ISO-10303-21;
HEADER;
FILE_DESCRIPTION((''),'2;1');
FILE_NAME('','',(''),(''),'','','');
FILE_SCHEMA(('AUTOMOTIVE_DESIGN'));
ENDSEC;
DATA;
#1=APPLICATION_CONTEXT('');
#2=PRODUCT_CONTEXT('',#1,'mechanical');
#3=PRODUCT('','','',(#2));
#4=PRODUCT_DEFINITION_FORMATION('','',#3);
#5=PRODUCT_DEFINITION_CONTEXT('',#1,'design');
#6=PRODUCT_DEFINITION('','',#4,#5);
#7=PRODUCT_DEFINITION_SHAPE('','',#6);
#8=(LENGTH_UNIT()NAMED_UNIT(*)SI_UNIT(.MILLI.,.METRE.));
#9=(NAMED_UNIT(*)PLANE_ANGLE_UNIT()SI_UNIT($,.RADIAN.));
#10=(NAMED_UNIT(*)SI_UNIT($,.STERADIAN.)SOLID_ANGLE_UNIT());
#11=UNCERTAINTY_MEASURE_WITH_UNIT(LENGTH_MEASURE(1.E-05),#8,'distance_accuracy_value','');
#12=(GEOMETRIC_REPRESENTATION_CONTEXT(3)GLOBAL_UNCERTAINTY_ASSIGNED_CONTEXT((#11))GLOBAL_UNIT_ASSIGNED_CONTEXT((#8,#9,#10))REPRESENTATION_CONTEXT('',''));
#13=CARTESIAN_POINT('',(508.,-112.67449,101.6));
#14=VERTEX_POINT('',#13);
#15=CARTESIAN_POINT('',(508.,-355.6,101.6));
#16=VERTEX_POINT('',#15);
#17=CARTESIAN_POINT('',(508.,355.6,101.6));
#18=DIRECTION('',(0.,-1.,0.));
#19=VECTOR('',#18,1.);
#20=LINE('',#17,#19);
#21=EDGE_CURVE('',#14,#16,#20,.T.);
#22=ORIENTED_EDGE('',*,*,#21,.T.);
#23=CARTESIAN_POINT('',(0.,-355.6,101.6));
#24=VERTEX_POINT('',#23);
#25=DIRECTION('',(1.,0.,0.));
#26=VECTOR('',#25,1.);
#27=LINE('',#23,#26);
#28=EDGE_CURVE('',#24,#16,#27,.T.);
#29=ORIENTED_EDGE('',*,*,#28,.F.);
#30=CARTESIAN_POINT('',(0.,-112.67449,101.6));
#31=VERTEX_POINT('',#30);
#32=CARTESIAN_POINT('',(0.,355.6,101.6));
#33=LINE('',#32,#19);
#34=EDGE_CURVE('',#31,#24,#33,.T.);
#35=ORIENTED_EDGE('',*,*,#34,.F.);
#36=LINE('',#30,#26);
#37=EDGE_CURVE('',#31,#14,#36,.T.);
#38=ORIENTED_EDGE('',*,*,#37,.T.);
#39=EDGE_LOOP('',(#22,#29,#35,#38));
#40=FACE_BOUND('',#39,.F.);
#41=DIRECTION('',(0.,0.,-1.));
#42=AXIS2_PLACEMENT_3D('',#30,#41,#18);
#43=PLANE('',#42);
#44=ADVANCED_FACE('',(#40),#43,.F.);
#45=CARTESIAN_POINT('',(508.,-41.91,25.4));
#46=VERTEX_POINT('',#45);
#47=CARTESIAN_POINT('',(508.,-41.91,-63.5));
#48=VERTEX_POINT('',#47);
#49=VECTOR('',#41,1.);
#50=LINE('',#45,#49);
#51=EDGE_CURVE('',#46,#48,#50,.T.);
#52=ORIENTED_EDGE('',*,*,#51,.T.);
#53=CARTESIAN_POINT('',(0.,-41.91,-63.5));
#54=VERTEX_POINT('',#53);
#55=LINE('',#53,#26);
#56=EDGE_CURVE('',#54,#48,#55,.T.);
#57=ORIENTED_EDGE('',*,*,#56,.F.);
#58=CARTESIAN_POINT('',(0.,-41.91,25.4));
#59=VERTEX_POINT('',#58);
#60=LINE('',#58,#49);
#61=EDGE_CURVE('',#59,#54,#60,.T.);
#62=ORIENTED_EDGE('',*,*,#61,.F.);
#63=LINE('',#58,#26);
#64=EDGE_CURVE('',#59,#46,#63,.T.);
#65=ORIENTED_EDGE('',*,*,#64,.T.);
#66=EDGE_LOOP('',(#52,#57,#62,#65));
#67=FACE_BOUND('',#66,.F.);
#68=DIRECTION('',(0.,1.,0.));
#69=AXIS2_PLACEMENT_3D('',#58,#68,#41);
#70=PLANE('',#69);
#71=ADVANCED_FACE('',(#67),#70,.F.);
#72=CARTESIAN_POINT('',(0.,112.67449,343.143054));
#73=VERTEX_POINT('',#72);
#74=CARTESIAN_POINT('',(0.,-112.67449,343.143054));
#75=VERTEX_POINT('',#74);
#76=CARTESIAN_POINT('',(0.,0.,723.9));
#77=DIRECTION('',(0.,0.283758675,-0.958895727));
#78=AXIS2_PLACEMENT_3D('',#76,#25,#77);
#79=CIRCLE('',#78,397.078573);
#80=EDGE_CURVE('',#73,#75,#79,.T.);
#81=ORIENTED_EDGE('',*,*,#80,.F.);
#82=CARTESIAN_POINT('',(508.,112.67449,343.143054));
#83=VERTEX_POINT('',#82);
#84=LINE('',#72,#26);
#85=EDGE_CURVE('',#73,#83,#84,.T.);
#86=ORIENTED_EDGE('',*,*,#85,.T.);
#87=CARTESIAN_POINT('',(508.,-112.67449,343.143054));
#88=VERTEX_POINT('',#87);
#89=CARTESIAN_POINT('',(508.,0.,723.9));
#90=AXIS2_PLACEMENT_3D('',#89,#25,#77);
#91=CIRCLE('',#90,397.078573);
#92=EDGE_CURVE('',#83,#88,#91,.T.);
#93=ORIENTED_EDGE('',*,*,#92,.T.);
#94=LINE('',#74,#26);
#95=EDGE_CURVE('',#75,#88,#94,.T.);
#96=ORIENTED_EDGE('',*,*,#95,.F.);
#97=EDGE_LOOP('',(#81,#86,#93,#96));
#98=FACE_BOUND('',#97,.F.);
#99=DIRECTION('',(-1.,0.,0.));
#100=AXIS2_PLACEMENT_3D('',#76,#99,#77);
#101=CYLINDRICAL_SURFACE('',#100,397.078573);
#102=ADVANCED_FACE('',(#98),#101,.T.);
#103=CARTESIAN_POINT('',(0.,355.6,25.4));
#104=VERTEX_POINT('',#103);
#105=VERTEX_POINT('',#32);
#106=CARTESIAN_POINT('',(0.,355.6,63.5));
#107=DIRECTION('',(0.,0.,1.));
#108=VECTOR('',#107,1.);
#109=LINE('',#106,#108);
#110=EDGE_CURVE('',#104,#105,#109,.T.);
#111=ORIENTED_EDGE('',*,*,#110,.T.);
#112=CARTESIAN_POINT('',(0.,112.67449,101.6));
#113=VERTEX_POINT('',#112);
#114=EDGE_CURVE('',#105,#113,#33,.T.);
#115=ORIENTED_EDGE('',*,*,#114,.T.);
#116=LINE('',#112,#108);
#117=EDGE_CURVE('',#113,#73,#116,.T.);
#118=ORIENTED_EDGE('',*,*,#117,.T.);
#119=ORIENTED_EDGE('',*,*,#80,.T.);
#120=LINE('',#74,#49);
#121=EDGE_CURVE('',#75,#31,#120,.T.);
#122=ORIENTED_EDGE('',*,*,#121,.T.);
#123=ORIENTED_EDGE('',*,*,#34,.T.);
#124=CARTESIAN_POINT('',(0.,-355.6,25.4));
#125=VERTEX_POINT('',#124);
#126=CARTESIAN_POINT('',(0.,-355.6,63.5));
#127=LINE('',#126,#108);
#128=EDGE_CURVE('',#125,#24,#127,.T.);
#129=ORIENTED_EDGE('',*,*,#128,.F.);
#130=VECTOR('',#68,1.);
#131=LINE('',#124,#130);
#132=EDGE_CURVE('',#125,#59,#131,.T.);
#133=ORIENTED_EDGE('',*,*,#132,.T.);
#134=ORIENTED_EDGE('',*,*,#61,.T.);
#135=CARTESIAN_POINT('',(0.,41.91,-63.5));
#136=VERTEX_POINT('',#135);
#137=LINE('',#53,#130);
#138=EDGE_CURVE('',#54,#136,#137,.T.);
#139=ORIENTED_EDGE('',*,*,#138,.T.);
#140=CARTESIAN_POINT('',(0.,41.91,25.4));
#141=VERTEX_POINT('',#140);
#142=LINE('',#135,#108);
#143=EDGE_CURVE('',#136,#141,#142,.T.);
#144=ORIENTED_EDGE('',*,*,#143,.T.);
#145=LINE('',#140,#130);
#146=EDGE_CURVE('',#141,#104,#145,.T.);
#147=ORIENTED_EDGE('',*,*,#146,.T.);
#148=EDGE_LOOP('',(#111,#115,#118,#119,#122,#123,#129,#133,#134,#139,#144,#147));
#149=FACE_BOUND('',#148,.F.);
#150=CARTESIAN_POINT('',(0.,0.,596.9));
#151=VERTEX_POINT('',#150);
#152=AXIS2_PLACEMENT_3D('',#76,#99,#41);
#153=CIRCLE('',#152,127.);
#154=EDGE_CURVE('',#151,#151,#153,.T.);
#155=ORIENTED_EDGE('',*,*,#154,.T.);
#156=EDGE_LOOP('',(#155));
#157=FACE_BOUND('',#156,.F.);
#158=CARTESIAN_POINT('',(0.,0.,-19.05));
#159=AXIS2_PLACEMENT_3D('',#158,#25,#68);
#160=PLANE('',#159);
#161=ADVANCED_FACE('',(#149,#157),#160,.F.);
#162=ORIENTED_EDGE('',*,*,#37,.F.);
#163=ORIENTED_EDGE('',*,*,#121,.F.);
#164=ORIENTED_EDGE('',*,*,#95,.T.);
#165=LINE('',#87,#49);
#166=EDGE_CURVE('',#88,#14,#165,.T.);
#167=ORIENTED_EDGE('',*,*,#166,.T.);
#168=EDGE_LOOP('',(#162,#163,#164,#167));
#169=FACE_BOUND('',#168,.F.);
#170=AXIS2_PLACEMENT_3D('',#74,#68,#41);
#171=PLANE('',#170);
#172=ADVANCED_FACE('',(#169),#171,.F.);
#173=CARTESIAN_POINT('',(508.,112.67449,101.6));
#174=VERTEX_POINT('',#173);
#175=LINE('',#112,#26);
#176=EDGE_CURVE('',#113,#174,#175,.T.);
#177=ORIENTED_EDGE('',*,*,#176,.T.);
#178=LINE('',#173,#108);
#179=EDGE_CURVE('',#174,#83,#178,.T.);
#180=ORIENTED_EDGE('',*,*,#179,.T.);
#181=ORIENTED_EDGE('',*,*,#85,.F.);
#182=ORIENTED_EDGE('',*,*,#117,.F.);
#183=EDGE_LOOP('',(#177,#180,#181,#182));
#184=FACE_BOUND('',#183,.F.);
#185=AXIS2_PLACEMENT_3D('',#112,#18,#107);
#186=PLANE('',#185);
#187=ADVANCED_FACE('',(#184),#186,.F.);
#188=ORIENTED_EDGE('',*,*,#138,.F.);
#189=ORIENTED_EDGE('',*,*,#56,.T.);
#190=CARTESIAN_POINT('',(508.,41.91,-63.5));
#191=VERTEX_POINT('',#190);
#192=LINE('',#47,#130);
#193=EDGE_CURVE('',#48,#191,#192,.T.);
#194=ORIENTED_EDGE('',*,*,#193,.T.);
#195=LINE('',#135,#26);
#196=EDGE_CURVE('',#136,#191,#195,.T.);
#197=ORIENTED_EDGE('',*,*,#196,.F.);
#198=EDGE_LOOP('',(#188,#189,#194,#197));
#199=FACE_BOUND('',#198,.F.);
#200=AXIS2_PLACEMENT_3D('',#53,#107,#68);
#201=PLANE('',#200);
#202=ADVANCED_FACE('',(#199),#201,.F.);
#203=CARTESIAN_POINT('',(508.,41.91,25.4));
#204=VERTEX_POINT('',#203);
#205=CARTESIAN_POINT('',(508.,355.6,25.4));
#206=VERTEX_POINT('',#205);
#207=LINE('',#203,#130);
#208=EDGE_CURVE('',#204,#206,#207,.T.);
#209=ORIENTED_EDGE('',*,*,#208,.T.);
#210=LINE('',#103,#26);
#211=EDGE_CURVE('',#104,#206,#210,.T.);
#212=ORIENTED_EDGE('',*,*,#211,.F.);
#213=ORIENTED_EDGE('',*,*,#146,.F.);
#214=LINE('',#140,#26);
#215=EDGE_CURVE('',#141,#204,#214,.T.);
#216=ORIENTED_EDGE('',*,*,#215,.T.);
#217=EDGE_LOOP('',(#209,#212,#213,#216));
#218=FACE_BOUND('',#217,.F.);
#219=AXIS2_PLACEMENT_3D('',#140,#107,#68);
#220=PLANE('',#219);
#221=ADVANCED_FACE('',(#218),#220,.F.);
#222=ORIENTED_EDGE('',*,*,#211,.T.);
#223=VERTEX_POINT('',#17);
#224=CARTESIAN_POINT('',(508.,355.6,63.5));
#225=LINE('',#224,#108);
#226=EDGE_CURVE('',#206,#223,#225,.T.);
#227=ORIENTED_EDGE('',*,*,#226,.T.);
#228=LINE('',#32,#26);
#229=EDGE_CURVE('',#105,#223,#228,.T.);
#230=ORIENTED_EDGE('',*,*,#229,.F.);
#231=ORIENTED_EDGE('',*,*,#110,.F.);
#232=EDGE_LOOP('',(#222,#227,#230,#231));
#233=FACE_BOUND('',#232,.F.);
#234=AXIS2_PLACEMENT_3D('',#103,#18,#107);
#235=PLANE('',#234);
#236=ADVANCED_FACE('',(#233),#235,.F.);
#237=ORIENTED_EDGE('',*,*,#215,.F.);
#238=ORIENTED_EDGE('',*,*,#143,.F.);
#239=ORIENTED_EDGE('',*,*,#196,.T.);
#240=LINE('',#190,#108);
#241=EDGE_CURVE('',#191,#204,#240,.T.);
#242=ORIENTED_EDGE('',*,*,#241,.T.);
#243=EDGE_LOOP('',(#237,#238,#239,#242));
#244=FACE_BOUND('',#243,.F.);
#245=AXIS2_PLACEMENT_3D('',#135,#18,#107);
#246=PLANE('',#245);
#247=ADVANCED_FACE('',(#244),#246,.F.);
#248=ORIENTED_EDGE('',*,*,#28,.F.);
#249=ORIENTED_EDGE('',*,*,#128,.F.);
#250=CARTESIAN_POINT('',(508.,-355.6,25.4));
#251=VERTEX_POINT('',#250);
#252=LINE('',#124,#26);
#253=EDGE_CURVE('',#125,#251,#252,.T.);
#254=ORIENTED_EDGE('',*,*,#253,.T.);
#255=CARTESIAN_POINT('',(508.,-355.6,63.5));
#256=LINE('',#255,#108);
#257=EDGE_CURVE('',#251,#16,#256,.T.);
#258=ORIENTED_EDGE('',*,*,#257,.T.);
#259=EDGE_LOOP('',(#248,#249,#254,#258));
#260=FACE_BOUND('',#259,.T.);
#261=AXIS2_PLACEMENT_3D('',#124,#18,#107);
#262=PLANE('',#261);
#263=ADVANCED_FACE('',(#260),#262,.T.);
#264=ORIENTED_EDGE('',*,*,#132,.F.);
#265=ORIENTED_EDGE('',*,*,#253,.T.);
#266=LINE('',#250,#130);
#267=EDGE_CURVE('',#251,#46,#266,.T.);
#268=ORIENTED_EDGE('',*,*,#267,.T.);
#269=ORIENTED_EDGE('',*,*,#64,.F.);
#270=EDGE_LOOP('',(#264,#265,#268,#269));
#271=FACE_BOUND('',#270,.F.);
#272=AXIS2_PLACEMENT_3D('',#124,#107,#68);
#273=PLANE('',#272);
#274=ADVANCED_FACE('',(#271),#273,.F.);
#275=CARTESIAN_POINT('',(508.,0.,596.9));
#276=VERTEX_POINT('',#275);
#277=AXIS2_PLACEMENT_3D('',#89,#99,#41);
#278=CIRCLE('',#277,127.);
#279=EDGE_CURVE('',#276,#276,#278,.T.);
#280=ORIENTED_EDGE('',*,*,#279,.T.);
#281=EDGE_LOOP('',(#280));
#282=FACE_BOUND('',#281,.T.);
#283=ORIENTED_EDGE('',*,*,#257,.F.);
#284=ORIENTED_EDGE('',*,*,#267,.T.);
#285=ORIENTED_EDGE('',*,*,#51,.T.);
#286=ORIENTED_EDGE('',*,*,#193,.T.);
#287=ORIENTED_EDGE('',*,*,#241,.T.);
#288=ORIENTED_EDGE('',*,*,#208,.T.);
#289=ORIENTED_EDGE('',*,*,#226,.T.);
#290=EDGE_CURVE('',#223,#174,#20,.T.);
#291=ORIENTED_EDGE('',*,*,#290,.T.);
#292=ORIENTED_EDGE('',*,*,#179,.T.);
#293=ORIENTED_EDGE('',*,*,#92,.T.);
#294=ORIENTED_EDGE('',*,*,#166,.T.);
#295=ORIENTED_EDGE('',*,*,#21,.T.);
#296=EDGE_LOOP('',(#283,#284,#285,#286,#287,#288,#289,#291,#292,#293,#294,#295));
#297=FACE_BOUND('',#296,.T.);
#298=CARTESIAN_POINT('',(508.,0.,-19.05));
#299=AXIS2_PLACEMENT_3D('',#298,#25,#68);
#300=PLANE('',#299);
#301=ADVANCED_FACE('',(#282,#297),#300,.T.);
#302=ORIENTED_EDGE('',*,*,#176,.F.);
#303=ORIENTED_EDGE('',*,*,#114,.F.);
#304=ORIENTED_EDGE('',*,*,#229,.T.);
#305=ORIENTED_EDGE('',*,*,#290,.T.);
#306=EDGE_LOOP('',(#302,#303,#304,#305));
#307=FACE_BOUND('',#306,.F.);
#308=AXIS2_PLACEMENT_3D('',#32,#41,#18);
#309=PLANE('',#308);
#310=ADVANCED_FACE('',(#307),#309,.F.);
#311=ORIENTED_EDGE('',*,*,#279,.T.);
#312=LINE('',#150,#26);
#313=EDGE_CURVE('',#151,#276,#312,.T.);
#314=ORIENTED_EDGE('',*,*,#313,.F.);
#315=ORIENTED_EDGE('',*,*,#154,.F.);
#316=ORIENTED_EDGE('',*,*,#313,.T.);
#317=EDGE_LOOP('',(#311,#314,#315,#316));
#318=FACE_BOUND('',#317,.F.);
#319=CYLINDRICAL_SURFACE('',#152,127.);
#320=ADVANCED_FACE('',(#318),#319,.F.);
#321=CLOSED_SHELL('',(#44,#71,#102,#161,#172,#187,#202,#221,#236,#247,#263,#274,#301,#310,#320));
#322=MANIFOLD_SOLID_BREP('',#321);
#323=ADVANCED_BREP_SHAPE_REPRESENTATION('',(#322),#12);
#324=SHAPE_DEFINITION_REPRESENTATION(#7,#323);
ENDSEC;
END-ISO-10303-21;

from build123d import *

# Parameters (mm, degrees)
F0_W     = 41.91
F0_H     = 38.1
F0_W_2   = 242.9255103827
F0_H_2   = 76.2
F1_DEPTH = 508


with BuildPart() as f1:
    # F0 (on Right) → F1 (new body)
    with BuildSketch(Plane.YZ):
        Polygon((-41.91, -63.5), (41.91, -63.5), (41.91, 25.4), (0, 25.4), (-41.91, 25.4), align=None)
        with Locations((20.955, 44.45)):
            Rectangle(F0_W, F0_H)
        Polygon((41.91, 63.5), (41.91, 25.4), (112.6744896173, 25.4), (112.6744896173, 101.6), (0, 101.6), (0, 63.5), align=None)
        Polygon((-112.6744896173, 25.4), (-41.91, 25.4), (-41.91, 63.5), (0, 63.5), (0, 101.6), (-112.6744896173, 101.6), align=None)
        with Locations((-20.955, 44.45)):
            Rectangle(F0_W, F0_H)
        with Locations((234.1372448087, 63.5)):
            Rectangle(F0_W_2, F0_H_2)
        with Locations((-234.1372448087, 63.5)):
            Rectangle(F0_W_2, F0_H_2)
        with BuildLine():
            Line((0, 101.6), (112.6744896173, 101.6))
            Line((112.6744896173, 101.6), (112.6744896173, 343.1430537243))
            ThreePointArc((112.6744896173, 343.1430537243), (56.9252494362, 330.9230175642), (0, 326.8214274885))
            Line((0, 326.8214274885), (0, 101.6))
        make_face()
        with BuildLine():
            Line((-112.6744896173, 343.1430537243), (-112.6744896173, 101.6))
            Line((-112.6744896173, 101.6), (0, 101.6))
            Line((0, 101.6), (0, 326.8214274885))
            ThreePointArc((0, 326.8214274885), (-56.9252494362, 330.9230175642), (-112.6744896173, 343.1430537243))
        make_face()
        with BuildLine():
            Line((112.6744896173, 628.242854977), (112.6744896173, 343.1430537243))
            ThreePointArc((112.6744896173, 343.1430537243), (318.1289190277, 486.2755407665), (397.0785725115, 723.9))
            ThreePointArc((397.0785725115, 723.9), (-237.6244592335, 1042.0289190277), (-112.6744896173, 343.1430537243))
            Line((-112.6744896173, 343.1430537243), (-112.6744896173, 628.242854977))
            Line((-112.6744896173, 628.242854977), (-83.5386773061, 628.242854977))
            ThreePointArc((-83.5386773061, 628.242854977), (-52.5337414531, 839.525282741), (127, 723.9))
            ThreePointArc((127, 723.9), (115.625282741, 671.3662585469), (83.5386773061, 628.242854977))
            Line((83.5386773061, 628.242854977), (112.6744896173, 628.242854977))
        make_face()
        with BuildLine():
            ThreePointArc((0, 326.8214274885), (56.9252494362, 330.9230175642), (112.6744896173, 343.1430537243))
            Line((112.6744896173, 343.1430537243), (112.6744896173, 628.242854977))
            Line((112.6744896173, 628.242854977), (83.5386773061, 628.242854977))
            ThreePointArc((83.5386773061, 628.242854977), (44.6124566802, 604.9936136746), (0, 596.9))
            Line((0, 596.9), (0, 326.8214274885))
        make_face()
        with BuildLine():
            Line((-112.6744896173, 628.242854977), (-112.6744896173, 343.1430537243))
            ThreePointArc((-112.6744896173, 343.1430537243), (-56.9252494362, 330.9230175642), (0, 326.8214274885))
            Line((0, 326.8214274885), (0, 596.9))
            ThreePointArc((0, 596.9), (-44.6124566802, 604.9936136746), (-83.5386773061, 628.242854977))
            Line((-83.5386773061, 628.242854977), (-112.6744896173, 628.242854977))
        make_face()
    extrude(amount=F1_DEPTH)


solid = f1.part
